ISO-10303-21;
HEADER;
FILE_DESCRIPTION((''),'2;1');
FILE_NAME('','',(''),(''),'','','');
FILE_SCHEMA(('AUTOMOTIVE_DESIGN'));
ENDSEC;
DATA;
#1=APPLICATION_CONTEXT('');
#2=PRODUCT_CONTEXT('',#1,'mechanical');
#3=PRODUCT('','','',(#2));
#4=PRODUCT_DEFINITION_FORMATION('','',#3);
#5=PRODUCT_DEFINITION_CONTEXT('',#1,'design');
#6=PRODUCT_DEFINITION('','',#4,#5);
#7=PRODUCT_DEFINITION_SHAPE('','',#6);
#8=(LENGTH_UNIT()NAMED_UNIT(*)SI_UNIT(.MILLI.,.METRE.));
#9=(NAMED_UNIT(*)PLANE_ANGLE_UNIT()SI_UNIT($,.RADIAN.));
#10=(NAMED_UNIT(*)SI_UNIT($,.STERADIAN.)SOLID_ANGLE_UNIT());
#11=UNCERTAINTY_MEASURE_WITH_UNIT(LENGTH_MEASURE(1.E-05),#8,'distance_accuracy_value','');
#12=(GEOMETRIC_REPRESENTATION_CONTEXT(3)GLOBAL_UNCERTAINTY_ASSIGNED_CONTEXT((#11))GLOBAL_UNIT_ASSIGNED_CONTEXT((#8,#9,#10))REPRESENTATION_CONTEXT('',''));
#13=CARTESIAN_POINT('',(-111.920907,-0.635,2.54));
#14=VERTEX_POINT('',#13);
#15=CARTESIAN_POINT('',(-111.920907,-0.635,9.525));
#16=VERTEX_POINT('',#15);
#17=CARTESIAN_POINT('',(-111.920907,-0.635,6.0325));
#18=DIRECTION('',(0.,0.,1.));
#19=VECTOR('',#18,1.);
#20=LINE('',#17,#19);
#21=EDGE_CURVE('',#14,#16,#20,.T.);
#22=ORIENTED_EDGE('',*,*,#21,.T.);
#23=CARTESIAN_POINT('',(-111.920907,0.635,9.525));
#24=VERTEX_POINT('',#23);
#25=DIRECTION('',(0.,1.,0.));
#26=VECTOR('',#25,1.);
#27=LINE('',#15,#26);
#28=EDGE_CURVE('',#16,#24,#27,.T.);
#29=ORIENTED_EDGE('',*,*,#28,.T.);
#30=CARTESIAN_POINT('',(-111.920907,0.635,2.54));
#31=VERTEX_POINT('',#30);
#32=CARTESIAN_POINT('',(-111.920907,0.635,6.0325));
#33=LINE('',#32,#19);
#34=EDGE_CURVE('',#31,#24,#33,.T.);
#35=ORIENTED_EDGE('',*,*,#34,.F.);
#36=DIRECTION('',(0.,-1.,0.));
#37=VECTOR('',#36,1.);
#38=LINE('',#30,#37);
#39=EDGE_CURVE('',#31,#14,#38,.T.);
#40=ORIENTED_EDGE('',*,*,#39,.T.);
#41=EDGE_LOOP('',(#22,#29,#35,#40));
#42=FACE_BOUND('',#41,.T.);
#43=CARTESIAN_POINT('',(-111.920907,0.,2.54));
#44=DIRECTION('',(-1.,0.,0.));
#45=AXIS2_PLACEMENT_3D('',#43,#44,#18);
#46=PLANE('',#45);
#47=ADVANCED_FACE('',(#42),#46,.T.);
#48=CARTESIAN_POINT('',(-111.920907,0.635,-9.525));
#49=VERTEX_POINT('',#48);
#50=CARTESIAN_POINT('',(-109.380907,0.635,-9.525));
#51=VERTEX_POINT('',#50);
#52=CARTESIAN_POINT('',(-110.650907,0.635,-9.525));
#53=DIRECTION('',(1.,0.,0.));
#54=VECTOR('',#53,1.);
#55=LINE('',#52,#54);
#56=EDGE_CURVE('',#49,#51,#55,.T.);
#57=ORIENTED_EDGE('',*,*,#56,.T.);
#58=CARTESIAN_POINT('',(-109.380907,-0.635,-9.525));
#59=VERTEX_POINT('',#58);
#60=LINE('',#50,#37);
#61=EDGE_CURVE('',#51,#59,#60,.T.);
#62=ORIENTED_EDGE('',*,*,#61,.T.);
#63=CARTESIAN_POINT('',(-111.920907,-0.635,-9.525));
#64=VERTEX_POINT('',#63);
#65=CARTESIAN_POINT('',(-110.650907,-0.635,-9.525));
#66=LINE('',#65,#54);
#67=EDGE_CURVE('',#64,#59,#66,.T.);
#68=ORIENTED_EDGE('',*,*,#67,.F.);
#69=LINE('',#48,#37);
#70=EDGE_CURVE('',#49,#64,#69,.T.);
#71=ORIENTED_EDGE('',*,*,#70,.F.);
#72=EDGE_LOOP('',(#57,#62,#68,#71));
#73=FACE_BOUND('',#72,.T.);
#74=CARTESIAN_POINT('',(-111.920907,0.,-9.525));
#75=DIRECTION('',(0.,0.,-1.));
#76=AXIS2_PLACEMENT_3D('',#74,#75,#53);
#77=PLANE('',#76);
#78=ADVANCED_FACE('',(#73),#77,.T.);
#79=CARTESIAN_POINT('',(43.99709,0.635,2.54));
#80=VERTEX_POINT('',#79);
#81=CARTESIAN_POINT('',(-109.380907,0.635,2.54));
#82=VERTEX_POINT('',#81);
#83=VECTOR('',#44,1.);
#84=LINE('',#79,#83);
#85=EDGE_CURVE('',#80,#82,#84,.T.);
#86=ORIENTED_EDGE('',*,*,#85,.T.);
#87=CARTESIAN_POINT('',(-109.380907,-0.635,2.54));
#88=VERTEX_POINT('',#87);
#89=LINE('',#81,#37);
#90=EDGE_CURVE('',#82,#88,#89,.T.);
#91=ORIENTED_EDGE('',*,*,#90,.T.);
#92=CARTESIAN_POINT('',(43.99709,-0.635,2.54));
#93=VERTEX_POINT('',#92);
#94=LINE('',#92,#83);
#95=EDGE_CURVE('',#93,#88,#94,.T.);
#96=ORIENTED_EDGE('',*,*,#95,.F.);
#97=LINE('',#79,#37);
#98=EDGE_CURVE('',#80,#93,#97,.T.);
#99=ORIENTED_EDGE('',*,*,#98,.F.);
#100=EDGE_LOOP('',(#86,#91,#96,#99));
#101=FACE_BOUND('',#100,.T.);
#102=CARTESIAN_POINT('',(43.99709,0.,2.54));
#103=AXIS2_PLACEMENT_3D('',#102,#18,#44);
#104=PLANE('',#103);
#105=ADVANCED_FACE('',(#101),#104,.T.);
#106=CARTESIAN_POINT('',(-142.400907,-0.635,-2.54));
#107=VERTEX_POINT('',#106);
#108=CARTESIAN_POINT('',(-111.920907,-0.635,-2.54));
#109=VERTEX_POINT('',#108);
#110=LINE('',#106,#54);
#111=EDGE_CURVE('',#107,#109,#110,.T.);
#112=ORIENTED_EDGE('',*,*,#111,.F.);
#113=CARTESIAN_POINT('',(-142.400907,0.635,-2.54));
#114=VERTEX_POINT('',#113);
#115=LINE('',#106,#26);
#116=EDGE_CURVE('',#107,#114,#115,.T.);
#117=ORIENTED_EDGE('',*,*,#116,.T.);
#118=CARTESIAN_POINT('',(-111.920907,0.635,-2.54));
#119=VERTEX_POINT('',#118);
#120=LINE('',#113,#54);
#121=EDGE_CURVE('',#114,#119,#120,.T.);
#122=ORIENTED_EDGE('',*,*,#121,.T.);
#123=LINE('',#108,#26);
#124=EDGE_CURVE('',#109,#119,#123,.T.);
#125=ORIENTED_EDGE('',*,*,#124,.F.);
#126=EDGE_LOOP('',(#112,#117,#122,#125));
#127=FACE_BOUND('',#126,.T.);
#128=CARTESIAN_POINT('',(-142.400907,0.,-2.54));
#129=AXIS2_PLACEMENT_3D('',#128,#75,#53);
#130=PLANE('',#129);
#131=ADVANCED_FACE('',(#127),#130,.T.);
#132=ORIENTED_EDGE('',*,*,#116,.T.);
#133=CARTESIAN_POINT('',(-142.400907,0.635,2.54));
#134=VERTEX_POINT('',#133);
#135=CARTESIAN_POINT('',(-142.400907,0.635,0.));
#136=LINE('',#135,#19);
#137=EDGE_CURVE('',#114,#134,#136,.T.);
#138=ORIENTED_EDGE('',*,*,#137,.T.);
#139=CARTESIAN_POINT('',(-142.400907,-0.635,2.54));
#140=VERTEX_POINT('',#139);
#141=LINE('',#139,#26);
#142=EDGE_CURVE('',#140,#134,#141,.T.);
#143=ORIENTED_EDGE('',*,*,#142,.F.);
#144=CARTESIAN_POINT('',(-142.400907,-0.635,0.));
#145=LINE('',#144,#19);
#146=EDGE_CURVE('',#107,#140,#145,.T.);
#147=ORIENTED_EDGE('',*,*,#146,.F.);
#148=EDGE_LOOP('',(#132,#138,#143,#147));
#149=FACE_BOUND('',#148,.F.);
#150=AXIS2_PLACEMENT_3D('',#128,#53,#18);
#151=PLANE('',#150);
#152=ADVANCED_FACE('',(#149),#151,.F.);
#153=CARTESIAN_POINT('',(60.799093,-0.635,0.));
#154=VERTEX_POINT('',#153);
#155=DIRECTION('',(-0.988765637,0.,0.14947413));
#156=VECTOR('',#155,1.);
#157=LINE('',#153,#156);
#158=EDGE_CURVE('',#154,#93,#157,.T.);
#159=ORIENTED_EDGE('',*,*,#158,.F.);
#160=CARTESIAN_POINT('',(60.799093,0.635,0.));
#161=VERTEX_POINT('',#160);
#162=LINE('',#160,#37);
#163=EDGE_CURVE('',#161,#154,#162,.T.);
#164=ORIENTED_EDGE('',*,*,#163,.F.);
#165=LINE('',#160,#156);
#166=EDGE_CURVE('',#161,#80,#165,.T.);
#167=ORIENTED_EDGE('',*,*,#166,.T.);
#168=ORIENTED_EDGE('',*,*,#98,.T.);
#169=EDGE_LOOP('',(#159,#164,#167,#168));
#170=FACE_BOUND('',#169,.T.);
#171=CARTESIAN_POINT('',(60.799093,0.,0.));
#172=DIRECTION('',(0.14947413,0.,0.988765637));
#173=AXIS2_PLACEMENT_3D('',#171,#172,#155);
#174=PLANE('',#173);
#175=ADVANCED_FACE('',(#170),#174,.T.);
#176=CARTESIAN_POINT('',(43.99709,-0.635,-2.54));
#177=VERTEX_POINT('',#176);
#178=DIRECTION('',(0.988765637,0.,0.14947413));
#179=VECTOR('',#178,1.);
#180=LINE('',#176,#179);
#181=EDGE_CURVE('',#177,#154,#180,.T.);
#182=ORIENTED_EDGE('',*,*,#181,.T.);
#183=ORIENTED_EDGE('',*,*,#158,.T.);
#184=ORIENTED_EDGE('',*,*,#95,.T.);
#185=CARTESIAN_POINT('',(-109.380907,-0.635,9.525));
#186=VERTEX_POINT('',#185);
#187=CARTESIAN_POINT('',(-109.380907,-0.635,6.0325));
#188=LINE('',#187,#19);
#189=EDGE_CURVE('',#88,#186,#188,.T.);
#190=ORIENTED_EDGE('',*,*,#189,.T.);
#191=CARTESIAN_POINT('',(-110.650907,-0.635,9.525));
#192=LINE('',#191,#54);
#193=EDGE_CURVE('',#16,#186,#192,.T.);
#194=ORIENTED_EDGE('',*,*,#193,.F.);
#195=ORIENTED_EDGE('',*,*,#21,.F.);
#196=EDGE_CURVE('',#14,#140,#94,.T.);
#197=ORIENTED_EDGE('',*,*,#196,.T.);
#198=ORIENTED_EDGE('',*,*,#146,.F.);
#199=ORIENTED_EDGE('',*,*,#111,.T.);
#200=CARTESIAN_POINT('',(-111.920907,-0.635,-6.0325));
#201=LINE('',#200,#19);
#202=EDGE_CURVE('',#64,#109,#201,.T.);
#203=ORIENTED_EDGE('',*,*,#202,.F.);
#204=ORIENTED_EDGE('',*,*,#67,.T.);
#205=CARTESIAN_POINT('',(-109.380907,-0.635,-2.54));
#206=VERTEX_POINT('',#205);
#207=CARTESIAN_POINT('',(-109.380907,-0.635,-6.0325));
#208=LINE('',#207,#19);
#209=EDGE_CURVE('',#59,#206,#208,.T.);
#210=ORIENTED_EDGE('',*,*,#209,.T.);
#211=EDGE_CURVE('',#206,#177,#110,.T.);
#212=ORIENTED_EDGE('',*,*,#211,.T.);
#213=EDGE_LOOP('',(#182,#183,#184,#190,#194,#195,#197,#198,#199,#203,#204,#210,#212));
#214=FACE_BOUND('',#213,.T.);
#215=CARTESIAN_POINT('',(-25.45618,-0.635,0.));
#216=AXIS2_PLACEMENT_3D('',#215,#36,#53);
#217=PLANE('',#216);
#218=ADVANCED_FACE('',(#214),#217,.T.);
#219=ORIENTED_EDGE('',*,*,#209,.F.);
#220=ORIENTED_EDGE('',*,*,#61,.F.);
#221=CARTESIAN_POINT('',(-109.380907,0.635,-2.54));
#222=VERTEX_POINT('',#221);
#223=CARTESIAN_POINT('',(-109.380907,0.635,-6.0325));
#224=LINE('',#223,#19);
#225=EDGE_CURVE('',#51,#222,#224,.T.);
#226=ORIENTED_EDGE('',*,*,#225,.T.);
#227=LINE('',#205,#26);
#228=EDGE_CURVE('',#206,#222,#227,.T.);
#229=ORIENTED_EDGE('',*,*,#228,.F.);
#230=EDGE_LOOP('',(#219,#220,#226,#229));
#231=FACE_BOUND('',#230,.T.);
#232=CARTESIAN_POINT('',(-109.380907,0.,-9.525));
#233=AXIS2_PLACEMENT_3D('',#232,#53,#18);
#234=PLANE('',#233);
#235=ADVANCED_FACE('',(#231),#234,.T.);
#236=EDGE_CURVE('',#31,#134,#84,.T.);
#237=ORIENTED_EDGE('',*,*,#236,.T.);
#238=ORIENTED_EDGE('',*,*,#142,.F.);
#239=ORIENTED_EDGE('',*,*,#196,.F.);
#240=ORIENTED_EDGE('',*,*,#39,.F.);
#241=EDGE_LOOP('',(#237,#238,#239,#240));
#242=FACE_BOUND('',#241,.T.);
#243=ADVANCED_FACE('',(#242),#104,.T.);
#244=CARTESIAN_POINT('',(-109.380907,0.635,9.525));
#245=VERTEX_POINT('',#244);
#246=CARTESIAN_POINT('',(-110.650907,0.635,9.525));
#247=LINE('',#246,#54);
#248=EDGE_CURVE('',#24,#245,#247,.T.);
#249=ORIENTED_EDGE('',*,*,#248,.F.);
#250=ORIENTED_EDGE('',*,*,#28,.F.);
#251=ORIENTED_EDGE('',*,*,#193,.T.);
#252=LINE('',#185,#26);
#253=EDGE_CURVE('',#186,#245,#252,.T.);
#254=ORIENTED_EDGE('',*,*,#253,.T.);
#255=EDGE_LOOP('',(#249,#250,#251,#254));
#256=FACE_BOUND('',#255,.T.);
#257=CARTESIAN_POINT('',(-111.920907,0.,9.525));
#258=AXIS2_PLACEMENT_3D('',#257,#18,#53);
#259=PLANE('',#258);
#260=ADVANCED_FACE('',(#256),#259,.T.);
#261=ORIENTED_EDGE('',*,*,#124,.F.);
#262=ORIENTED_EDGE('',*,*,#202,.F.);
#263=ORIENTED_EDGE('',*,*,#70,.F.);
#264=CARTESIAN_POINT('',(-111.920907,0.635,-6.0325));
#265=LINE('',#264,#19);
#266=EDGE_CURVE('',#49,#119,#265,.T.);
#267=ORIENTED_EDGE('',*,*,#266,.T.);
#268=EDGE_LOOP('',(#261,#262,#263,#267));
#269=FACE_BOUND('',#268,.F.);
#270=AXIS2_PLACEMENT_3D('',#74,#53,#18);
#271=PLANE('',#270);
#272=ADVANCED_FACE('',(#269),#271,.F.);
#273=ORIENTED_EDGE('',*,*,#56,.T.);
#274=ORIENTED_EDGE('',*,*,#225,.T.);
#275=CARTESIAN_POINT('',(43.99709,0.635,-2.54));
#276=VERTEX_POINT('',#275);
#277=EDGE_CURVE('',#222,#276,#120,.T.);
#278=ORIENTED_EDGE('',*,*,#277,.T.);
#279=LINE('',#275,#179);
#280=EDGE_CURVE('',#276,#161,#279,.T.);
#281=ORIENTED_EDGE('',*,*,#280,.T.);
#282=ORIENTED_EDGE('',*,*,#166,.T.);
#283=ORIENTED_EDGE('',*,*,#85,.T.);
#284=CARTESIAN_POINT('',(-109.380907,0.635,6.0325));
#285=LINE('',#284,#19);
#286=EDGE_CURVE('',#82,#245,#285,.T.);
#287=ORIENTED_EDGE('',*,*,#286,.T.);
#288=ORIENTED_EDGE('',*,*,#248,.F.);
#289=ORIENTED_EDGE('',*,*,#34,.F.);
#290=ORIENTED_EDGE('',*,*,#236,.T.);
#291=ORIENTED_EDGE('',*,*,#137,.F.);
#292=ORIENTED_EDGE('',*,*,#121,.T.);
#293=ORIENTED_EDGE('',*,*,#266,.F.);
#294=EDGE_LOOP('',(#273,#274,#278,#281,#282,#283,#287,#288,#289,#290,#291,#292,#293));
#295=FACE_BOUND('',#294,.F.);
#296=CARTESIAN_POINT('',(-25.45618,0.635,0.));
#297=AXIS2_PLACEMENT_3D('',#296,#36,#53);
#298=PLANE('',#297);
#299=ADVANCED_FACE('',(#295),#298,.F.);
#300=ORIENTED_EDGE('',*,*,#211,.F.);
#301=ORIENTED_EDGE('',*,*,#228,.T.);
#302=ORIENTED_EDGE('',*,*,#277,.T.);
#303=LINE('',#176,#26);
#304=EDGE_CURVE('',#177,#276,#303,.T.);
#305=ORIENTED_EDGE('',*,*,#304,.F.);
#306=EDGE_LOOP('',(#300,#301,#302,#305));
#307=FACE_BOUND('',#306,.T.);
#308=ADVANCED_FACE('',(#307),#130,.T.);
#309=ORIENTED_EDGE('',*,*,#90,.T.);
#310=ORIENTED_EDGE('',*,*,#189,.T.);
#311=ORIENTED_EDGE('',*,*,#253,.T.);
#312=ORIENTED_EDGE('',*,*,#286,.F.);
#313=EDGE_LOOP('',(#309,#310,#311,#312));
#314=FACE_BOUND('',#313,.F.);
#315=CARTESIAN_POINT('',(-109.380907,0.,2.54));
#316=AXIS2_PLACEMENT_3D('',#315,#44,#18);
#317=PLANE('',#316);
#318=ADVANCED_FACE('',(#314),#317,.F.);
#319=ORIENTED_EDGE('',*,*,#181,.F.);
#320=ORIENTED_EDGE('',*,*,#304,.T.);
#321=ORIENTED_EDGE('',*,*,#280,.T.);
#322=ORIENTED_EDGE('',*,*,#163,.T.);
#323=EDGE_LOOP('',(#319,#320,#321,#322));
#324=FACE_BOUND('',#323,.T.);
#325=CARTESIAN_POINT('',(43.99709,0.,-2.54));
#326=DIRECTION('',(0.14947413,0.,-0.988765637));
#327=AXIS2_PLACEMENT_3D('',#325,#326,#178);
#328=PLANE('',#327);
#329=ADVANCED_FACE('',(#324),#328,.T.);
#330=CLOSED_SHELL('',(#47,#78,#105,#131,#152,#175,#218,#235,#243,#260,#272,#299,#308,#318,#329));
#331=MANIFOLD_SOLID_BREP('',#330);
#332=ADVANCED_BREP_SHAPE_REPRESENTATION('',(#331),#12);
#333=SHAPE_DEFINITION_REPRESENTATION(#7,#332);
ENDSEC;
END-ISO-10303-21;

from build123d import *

# Parameters (mm, degrees)
F0_W     = 30.48
F0_H     = 5.08
F0_W_2   = 2.54
F1_DEPTH = 0.635
F0_H_2   = 6.985
F2_DEPTH = 0.635


with BuildPart() as f1:
    # F0 (on Front) → F1 (new body, symmetric)
    with BuildSketch(Plane.XZ):
        Polygon((-109.3809070776, 2.54), (-109.3809070776, -2.54), (43.9970903099, -2.54), (60.7990929224, 0), (43.9970903099, 2.54), align=None)
        with Locations((-127.1609070776, 0)):
            Rectangle(F0_W, F0_H)
        with Locations((-110.6509070776, 0)):
            Rectangle(F0_W_2, F0_H)
    extrude(amount=F1_DEPTH, both=True)

    # F0 (on Front) → F2 (join, symmetric)
    with BuildSketch(Plane.XZ):
        with Locations((-110.6509070776, 6.0325)):
            Rectangle(F0_W_2, F0_H_2)
        with Locations((-110.6509070776, -6.0325)):
            Rectangle(F0_W_2, F0_H_2)
    extrude(amount=F2_DEPTH, both=True)


solid = f1.part
